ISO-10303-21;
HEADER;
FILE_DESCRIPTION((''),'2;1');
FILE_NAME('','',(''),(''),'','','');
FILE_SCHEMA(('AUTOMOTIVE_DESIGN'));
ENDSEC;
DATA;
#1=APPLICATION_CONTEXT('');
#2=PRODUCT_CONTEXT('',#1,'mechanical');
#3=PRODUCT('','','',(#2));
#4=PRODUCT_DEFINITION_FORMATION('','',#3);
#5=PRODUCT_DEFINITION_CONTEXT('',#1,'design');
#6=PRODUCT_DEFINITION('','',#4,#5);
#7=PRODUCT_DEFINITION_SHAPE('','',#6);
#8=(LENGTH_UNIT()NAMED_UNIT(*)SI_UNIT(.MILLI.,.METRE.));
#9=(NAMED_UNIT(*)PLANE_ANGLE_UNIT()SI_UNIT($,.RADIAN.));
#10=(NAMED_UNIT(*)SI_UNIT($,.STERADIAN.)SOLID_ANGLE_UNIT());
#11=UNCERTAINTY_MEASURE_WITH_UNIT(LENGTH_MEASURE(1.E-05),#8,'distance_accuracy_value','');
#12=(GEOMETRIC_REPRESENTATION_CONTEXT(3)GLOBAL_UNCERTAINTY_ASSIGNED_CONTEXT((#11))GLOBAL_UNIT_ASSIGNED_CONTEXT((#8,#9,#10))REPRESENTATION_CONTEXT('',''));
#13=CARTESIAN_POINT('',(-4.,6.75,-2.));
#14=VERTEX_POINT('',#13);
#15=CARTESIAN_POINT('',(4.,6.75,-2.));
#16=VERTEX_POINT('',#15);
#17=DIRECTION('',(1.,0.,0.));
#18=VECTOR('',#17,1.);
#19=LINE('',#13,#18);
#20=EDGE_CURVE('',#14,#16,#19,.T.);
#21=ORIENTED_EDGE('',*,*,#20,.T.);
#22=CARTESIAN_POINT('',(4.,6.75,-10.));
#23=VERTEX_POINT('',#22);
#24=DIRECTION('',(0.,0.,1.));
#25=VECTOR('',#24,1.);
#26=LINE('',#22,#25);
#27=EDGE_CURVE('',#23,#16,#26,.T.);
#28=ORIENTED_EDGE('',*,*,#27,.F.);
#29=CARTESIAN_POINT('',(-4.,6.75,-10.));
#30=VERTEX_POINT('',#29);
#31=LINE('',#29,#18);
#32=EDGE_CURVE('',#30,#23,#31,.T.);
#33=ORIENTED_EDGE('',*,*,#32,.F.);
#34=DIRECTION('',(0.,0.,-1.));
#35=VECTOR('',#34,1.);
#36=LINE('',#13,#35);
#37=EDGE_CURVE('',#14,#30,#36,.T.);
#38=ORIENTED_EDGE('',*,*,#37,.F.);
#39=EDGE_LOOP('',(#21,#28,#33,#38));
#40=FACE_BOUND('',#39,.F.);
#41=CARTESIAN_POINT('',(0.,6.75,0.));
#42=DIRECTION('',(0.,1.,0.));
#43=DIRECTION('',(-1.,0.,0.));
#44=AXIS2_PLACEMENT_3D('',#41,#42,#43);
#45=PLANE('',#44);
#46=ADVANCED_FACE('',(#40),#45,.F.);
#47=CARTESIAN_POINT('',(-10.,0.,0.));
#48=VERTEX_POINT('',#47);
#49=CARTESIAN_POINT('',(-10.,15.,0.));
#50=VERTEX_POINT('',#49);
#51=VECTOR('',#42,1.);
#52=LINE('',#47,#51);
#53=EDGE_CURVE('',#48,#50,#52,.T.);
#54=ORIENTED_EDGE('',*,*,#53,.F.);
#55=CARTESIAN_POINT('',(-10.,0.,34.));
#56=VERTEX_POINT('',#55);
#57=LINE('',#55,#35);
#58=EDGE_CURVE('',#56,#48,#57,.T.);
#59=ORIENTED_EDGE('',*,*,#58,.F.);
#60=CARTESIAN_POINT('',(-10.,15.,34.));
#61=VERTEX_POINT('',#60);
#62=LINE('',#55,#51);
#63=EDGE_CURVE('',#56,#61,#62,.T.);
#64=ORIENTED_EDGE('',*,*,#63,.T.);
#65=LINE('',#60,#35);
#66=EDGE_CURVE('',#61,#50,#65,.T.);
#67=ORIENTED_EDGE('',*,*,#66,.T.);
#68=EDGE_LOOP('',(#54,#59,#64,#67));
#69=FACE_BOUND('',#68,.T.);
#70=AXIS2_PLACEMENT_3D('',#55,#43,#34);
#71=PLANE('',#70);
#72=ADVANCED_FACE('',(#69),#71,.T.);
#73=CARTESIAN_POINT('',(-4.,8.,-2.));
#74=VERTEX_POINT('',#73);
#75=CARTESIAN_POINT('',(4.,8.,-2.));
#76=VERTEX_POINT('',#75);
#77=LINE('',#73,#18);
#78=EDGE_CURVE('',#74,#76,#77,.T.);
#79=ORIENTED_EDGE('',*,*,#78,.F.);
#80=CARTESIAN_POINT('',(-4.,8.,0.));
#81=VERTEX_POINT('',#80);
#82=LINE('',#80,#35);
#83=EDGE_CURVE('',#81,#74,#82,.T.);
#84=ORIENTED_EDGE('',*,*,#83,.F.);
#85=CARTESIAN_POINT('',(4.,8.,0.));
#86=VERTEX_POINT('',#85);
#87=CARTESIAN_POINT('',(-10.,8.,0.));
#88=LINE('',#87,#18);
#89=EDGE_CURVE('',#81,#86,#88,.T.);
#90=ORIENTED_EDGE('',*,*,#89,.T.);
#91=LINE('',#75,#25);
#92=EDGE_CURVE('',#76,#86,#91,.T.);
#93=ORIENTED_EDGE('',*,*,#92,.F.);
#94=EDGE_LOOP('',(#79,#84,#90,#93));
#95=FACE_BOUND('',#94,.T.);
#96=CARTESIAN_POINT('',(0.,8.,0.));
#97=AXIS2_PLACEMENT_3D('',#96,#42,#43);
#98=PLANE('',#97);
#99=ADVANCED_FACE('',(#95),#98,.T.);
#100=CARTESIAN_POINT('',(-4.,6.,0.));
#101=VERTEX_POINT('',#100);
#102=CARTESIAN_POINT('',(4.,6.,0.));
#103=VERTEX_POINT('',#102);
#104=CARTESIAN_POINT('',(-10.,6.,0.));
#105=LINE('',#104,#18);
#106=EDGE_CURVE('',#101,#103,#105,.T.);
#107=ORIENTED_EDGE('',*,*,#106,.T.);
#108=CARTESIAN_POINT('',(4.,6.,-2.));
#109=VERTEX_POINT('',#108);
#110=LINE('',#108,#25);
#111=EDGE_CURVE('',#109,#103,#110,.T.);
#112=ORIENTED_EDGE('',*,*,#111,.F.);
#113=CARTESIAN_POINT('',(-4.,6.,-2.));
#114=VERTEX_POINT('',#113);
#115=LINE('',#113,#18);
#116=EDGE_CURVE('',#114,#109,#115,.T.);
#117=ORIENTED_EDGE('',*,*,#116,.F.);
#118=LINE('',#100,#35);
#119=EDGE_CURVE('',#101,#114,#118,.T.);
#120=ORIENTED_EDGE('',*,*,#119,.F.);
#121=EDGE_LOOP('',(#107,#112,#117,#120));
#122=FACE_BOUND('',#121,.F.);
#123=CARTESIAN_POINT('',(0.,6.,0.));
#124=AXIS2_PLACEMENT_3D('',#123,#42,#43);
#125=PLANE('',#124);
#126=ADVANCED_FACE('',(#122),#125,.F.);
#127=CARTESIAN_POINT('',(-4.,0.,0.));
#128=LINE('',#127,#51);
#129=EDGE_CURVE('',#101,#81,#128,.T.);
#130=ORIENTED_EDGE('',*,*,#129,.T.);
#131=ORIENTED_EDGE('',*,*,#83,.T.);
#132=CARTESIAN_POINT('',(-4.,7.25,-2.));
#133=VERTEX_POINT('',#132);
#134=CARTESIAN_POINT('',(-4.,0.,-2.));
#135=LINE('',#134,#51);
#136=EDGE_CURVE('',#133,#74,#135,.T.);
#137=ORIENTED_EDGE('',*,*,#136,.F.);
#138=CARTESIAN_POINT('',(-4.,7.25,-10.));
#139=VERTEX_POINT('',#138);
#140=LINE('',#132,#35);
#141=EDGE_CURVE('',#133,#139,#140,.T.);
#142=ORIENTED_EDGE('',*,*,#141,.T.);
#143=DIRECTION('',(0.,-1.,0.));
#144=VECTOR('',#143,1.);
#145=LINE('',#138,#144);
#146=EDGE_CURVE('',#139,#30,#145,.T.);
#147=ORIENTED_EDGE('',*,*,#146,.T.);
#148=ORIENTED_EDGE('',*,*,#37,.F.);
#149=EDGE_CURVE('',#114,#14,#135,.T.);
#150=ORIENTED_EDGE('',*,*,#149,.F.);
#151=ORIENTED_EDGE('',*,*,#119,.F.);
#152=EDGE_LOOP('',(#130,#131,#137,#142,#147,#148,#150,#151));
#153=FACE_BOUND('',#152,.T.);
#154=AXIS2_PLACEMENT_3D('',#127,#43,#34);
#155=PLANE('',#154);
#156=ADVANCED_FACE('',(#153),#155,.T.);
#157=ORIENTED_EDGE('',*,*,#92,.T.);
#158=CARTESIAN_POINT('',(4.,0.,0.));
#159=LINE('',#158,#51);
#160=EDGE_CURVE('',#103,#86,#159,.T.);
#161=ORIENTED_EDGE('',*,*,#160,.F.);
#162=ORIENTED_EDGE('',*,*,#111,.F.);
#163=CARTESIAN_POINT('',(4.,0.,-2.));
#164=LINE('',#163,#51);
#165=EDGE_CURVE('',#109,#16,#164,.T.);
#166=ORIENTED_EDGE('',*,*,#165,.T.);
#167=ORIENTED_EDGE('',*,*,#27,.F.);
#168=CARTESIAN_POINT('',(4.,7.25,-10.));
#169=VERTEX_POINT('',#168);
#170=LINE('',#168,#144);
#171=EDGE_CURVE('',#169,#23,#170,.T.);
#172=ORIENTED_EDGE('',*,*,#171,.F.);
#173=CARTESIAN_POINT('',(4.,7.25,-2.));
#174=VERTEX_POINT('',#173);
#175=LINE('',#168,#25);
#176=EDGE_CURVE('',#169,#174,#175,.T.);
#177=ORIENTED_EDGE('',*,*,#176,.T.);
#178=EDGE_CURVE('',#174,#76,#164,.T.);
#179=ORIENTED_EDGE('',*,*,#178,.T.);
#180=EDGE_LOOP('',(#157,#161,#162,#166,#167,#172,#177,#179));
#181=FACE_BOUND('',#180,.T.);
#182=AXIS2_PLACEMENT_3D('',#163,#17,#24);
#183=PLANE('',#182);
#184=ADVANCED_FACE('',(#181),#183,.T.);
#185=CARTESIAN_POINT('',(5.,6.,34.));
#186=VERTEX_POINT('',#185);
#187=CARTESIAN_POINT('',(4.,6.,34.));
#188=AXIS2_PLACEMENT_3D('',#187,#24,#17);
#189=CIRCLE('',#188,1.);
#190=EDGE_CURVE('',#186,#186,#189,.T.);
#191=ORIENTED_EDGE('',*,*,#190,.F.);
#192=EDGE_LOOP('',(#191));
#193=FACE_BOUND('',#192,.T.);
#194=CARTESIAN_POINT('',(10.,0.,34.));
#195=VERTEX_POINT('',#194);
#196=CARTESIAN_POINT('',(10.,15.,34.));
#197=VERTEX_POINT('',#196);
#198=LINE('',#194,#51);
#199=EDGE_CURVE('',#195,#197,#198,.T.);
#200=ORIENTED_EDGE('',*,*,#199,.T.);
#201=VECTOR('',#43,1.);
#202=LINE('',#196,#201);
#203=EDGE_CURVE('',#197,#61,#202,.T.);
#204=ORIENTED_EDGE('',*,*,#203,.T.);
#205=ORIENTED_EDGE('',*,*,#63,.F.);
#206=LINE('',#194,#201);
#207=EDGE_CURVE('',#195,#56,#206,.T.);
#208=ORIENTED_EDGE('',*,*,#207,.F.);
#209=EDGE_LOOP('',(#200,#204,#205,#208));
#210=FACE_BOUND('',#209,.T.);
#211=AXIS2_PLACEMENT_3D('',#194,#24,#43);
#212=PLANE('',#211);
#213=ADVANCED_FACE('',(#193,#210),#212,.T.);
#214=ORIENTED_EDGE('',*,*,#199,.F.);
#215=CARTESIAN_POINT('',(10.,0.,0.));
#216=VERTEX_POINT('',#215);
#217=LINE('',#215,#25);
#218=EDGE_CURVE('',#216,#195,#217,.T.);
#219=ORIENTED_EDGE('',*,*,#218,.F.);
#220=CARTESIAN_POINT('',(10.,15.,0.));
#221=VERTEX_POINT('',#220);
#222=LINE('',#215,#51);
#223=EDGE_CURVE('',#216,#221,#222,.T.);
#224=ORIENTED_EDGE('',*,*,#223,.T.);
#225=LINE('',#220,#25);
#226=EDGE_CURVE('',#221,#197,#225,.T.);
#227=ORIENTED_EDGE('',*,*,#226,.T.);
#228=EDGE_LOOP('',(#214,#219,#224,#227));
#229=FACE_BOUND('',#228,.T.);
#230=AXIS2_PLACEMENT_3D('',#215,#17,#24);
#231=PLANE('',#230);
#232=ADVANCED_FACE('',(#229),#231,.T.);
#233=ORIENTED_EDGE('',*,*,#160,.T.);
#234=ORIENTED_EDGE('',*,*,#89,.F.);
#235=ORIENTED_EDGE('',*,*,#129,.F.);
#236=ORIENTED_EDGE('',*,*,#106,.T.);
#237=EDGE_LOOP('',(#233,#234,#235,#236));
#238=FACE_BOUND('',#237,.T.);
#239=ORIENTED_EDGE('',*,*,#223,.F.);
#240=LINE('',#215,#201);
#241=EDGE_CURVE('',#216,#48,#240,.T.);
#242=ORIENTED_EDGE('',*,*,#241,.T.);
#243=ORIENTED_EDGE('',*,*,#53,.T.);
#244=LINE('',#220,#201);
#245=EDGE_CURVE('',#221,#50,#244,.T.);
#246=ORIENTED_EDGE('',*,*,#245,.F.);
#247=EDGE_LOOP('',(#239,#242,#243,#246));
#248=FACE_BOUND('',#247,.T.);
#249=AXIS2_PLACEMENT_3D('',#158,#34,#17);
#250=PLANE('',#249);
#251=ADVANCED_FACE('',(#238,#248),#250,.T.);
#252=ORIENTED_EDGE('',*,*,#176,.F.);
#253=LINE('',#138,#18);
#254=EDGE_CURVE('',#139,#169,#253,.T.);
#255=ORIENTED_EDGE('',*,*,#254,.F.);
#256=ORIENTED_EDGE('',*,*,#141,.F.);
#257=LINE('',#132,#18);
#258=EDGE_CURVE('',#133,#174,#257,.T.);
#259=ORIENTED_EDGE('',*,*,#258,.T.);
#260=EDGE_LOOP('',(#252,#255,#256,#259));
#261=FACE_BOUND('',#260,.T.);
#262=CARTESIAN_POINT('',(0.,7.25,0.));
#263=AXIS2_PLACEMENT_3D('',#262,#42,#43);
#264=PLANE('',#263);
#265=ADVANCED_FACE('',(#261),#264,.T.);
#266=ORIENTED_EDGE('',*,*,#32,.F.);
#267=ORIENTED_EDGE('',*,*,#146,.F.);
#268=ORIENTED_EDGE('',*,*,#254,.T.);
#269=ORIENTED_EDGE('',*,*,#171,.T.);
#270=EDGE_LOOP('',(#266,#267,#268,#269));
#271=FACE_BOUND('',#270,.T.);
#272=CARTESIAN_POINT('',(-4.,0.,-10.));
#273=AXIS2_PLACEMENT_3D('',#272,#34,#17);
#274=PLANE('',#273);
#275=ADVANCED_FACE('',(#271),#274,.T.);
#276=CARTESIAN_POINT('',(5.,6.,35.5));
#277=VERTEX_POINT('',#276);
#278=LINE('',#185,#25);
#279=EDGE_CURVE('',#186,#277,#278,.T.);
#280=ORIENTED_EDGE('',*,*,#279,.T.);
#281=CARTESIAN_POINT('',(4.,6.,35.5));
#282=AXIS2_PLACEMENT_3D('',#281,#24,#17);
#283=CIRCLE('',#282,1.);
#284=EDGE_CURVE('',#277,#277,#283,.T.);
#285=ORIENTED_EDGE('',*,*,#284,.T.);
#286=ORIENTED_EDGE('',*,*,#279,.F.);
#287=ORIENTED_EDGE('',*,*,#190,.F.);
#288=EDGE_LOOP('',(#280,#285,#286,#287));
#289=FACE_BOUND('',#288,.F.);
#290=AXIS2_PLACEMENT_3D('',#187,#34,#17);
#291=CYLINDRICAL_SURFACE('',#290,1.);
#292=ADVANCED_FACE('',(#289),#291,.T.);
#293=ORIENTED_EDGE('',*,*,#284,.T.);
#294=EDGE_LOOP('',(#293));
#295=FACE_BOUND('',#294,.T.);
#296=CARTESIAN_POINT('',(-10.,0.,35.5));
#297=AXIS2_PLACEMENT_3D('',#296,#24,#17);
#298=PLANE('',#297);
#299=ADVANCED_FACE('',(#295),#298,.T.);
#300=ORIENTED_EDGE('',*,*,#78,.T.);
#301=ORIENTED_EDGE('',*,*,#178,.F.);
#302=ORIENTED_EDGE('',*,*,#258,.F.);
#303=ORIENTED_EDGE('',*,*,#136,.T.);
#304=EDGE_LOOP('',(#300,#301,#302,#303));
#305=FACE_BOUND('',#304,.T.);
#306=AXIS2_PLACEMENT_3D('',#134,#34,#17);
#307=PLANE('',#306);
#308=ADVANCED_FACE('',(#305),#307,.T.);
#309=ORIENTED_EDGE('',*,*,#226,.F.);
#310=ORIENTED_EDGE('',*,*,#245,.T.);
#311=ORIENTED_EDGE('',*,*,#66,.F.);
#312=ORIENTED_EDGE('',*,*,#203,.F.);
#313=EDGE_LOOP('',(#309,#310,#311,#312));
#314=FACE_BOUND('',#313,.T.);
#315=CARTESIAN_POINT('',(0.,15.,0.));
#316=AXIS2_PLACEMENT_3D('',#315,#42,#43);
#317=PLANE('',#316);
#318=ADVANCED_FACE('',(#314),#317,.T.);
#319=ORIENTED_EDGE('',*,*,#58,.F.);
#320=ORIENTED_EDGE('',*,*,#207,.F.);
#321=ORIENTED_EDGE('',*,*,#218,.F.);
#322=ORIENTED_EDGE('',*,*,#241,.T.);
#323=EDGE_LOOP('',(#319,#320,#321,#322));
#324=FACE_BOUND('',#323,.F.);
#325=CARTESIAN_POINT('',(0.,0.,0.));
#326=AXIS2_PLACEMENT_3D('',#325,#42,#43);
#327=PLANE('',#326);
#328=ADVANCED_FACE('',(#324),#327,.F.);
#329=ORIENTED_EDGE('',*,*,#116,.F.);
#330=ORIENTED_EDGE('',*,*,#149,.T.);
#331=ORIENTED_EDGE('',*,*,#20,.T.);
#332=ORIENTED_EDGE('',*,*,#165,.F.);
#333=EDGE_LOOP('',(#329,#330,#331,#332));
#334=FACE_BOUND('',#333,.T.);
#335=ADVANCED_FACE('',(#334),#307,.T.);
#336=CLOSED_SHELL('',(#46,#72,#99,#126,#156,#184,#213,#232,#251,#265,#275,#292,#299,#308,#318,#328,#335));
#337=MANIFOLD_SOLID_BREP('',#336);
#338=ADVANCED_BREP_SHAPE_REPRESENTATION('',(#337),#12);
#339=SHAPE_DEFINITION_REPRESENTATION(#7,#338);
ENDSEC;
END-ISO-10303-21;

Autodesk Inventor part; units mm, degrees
ref_plane "YZ Plane" through (0, 0, 0) normal (1, 0, 0) x (0, 1, 0)
ref_plane "XZ Plane" through (0, 0, 0) normal (0, 1, 0) x (-1, 0, 0)
ref_plane "XY Plane" through (0, 0, 0) normal (0, 0, 1) x (1, 0, 0)
sketch "Sketch1" plane through (0, 0, 0) normal (0, 1, 0) x (-1, 0, 0)
  line L0 (-10, 34) -> (10, 34)
  line L1 (10, 34) -> (10, 0)
  line L2 (10, 0) -> (-10, 0)
  line L3 (-10, 0) -> (-10, 34)
  line L4 (-4, 0) -> (4, 0)
  line L5 (4, 0) -> (4, -2)
  line L6 (4, -2) -> (-4, -2)
  line L7 (-4, -2) -> (-4, 0)
  line L8 (-4, -2) -> (4, -2)
  line L9 (4, -2) -> (4, -10)
  line L10 (4, -10) -> (-4, -10)
  line L11 (-4, -10) -> (-4, -2)
  dimension "d0" = 20
  dimension "d3" = 2
  dimension "d4" = 8
  dimension "d5" = 44
  dimension "d6" = 34
extrude "Extrusion1" add sketch "Sketch1" along normal blind 15 contours L0 L1 L2 L3
extrude "Extrusion2" add sketch "Sketch1" along normal blind 7 contours L2 L5 L6 L7
extrude "Extrusion3" add sketch "Sketch1" along normal blind 7 contours L6 L9 L10 L11
extrude "Extrusion4" cut sketch "Sketch1" along normal blind 8 contours L2 L5 L6 L7
extrude "Extrusion5" add sketch "Sketch1" along normal blind 8 contours L2 L5 L6 L7
extrude "Extrusion6" cut sketch "Sketch1" along normal blind 6 contours L2 L5 L6 L7
extrude "Extrusion7" add sketch "Sketch1" along normal blind 7.25 contours L6 L9 L10 L11
extrude "Extrusion8" cut sketch "Sketch1" along normal blind 6.75 contours L6 L9 L10 L11
sketch "Sketch2" plane through (-10, 0, 34) normal (0, 0, 1) x (1, 0, 0)
  circle A0 centre (14, 6) radius 1
  point P0 (10, 0)
  dimension "d25" = 2
extrude "Extrusion9" add sketch "Sketch2" along normal blind 1.5
sketch "Sketch3" plane through (10, 0, 34) normal (1, 0, 0) x (0, 0, -1)
  line L0 (0, 0) -> (34, 0) projected
  line L1 (34, 0) -> (34, 15) projected
  line L2 (0, 15) -> (34, 15) projected
  line L3 (0, 0) -> (0, 15) projected
  dimension "d28" = 15
sketch "Sketch5" plane through (0, 15, 0) normal (0, 1, 0) x (1, 0, 0)
  point P0 (0, 0)
properties part number "VReg"
